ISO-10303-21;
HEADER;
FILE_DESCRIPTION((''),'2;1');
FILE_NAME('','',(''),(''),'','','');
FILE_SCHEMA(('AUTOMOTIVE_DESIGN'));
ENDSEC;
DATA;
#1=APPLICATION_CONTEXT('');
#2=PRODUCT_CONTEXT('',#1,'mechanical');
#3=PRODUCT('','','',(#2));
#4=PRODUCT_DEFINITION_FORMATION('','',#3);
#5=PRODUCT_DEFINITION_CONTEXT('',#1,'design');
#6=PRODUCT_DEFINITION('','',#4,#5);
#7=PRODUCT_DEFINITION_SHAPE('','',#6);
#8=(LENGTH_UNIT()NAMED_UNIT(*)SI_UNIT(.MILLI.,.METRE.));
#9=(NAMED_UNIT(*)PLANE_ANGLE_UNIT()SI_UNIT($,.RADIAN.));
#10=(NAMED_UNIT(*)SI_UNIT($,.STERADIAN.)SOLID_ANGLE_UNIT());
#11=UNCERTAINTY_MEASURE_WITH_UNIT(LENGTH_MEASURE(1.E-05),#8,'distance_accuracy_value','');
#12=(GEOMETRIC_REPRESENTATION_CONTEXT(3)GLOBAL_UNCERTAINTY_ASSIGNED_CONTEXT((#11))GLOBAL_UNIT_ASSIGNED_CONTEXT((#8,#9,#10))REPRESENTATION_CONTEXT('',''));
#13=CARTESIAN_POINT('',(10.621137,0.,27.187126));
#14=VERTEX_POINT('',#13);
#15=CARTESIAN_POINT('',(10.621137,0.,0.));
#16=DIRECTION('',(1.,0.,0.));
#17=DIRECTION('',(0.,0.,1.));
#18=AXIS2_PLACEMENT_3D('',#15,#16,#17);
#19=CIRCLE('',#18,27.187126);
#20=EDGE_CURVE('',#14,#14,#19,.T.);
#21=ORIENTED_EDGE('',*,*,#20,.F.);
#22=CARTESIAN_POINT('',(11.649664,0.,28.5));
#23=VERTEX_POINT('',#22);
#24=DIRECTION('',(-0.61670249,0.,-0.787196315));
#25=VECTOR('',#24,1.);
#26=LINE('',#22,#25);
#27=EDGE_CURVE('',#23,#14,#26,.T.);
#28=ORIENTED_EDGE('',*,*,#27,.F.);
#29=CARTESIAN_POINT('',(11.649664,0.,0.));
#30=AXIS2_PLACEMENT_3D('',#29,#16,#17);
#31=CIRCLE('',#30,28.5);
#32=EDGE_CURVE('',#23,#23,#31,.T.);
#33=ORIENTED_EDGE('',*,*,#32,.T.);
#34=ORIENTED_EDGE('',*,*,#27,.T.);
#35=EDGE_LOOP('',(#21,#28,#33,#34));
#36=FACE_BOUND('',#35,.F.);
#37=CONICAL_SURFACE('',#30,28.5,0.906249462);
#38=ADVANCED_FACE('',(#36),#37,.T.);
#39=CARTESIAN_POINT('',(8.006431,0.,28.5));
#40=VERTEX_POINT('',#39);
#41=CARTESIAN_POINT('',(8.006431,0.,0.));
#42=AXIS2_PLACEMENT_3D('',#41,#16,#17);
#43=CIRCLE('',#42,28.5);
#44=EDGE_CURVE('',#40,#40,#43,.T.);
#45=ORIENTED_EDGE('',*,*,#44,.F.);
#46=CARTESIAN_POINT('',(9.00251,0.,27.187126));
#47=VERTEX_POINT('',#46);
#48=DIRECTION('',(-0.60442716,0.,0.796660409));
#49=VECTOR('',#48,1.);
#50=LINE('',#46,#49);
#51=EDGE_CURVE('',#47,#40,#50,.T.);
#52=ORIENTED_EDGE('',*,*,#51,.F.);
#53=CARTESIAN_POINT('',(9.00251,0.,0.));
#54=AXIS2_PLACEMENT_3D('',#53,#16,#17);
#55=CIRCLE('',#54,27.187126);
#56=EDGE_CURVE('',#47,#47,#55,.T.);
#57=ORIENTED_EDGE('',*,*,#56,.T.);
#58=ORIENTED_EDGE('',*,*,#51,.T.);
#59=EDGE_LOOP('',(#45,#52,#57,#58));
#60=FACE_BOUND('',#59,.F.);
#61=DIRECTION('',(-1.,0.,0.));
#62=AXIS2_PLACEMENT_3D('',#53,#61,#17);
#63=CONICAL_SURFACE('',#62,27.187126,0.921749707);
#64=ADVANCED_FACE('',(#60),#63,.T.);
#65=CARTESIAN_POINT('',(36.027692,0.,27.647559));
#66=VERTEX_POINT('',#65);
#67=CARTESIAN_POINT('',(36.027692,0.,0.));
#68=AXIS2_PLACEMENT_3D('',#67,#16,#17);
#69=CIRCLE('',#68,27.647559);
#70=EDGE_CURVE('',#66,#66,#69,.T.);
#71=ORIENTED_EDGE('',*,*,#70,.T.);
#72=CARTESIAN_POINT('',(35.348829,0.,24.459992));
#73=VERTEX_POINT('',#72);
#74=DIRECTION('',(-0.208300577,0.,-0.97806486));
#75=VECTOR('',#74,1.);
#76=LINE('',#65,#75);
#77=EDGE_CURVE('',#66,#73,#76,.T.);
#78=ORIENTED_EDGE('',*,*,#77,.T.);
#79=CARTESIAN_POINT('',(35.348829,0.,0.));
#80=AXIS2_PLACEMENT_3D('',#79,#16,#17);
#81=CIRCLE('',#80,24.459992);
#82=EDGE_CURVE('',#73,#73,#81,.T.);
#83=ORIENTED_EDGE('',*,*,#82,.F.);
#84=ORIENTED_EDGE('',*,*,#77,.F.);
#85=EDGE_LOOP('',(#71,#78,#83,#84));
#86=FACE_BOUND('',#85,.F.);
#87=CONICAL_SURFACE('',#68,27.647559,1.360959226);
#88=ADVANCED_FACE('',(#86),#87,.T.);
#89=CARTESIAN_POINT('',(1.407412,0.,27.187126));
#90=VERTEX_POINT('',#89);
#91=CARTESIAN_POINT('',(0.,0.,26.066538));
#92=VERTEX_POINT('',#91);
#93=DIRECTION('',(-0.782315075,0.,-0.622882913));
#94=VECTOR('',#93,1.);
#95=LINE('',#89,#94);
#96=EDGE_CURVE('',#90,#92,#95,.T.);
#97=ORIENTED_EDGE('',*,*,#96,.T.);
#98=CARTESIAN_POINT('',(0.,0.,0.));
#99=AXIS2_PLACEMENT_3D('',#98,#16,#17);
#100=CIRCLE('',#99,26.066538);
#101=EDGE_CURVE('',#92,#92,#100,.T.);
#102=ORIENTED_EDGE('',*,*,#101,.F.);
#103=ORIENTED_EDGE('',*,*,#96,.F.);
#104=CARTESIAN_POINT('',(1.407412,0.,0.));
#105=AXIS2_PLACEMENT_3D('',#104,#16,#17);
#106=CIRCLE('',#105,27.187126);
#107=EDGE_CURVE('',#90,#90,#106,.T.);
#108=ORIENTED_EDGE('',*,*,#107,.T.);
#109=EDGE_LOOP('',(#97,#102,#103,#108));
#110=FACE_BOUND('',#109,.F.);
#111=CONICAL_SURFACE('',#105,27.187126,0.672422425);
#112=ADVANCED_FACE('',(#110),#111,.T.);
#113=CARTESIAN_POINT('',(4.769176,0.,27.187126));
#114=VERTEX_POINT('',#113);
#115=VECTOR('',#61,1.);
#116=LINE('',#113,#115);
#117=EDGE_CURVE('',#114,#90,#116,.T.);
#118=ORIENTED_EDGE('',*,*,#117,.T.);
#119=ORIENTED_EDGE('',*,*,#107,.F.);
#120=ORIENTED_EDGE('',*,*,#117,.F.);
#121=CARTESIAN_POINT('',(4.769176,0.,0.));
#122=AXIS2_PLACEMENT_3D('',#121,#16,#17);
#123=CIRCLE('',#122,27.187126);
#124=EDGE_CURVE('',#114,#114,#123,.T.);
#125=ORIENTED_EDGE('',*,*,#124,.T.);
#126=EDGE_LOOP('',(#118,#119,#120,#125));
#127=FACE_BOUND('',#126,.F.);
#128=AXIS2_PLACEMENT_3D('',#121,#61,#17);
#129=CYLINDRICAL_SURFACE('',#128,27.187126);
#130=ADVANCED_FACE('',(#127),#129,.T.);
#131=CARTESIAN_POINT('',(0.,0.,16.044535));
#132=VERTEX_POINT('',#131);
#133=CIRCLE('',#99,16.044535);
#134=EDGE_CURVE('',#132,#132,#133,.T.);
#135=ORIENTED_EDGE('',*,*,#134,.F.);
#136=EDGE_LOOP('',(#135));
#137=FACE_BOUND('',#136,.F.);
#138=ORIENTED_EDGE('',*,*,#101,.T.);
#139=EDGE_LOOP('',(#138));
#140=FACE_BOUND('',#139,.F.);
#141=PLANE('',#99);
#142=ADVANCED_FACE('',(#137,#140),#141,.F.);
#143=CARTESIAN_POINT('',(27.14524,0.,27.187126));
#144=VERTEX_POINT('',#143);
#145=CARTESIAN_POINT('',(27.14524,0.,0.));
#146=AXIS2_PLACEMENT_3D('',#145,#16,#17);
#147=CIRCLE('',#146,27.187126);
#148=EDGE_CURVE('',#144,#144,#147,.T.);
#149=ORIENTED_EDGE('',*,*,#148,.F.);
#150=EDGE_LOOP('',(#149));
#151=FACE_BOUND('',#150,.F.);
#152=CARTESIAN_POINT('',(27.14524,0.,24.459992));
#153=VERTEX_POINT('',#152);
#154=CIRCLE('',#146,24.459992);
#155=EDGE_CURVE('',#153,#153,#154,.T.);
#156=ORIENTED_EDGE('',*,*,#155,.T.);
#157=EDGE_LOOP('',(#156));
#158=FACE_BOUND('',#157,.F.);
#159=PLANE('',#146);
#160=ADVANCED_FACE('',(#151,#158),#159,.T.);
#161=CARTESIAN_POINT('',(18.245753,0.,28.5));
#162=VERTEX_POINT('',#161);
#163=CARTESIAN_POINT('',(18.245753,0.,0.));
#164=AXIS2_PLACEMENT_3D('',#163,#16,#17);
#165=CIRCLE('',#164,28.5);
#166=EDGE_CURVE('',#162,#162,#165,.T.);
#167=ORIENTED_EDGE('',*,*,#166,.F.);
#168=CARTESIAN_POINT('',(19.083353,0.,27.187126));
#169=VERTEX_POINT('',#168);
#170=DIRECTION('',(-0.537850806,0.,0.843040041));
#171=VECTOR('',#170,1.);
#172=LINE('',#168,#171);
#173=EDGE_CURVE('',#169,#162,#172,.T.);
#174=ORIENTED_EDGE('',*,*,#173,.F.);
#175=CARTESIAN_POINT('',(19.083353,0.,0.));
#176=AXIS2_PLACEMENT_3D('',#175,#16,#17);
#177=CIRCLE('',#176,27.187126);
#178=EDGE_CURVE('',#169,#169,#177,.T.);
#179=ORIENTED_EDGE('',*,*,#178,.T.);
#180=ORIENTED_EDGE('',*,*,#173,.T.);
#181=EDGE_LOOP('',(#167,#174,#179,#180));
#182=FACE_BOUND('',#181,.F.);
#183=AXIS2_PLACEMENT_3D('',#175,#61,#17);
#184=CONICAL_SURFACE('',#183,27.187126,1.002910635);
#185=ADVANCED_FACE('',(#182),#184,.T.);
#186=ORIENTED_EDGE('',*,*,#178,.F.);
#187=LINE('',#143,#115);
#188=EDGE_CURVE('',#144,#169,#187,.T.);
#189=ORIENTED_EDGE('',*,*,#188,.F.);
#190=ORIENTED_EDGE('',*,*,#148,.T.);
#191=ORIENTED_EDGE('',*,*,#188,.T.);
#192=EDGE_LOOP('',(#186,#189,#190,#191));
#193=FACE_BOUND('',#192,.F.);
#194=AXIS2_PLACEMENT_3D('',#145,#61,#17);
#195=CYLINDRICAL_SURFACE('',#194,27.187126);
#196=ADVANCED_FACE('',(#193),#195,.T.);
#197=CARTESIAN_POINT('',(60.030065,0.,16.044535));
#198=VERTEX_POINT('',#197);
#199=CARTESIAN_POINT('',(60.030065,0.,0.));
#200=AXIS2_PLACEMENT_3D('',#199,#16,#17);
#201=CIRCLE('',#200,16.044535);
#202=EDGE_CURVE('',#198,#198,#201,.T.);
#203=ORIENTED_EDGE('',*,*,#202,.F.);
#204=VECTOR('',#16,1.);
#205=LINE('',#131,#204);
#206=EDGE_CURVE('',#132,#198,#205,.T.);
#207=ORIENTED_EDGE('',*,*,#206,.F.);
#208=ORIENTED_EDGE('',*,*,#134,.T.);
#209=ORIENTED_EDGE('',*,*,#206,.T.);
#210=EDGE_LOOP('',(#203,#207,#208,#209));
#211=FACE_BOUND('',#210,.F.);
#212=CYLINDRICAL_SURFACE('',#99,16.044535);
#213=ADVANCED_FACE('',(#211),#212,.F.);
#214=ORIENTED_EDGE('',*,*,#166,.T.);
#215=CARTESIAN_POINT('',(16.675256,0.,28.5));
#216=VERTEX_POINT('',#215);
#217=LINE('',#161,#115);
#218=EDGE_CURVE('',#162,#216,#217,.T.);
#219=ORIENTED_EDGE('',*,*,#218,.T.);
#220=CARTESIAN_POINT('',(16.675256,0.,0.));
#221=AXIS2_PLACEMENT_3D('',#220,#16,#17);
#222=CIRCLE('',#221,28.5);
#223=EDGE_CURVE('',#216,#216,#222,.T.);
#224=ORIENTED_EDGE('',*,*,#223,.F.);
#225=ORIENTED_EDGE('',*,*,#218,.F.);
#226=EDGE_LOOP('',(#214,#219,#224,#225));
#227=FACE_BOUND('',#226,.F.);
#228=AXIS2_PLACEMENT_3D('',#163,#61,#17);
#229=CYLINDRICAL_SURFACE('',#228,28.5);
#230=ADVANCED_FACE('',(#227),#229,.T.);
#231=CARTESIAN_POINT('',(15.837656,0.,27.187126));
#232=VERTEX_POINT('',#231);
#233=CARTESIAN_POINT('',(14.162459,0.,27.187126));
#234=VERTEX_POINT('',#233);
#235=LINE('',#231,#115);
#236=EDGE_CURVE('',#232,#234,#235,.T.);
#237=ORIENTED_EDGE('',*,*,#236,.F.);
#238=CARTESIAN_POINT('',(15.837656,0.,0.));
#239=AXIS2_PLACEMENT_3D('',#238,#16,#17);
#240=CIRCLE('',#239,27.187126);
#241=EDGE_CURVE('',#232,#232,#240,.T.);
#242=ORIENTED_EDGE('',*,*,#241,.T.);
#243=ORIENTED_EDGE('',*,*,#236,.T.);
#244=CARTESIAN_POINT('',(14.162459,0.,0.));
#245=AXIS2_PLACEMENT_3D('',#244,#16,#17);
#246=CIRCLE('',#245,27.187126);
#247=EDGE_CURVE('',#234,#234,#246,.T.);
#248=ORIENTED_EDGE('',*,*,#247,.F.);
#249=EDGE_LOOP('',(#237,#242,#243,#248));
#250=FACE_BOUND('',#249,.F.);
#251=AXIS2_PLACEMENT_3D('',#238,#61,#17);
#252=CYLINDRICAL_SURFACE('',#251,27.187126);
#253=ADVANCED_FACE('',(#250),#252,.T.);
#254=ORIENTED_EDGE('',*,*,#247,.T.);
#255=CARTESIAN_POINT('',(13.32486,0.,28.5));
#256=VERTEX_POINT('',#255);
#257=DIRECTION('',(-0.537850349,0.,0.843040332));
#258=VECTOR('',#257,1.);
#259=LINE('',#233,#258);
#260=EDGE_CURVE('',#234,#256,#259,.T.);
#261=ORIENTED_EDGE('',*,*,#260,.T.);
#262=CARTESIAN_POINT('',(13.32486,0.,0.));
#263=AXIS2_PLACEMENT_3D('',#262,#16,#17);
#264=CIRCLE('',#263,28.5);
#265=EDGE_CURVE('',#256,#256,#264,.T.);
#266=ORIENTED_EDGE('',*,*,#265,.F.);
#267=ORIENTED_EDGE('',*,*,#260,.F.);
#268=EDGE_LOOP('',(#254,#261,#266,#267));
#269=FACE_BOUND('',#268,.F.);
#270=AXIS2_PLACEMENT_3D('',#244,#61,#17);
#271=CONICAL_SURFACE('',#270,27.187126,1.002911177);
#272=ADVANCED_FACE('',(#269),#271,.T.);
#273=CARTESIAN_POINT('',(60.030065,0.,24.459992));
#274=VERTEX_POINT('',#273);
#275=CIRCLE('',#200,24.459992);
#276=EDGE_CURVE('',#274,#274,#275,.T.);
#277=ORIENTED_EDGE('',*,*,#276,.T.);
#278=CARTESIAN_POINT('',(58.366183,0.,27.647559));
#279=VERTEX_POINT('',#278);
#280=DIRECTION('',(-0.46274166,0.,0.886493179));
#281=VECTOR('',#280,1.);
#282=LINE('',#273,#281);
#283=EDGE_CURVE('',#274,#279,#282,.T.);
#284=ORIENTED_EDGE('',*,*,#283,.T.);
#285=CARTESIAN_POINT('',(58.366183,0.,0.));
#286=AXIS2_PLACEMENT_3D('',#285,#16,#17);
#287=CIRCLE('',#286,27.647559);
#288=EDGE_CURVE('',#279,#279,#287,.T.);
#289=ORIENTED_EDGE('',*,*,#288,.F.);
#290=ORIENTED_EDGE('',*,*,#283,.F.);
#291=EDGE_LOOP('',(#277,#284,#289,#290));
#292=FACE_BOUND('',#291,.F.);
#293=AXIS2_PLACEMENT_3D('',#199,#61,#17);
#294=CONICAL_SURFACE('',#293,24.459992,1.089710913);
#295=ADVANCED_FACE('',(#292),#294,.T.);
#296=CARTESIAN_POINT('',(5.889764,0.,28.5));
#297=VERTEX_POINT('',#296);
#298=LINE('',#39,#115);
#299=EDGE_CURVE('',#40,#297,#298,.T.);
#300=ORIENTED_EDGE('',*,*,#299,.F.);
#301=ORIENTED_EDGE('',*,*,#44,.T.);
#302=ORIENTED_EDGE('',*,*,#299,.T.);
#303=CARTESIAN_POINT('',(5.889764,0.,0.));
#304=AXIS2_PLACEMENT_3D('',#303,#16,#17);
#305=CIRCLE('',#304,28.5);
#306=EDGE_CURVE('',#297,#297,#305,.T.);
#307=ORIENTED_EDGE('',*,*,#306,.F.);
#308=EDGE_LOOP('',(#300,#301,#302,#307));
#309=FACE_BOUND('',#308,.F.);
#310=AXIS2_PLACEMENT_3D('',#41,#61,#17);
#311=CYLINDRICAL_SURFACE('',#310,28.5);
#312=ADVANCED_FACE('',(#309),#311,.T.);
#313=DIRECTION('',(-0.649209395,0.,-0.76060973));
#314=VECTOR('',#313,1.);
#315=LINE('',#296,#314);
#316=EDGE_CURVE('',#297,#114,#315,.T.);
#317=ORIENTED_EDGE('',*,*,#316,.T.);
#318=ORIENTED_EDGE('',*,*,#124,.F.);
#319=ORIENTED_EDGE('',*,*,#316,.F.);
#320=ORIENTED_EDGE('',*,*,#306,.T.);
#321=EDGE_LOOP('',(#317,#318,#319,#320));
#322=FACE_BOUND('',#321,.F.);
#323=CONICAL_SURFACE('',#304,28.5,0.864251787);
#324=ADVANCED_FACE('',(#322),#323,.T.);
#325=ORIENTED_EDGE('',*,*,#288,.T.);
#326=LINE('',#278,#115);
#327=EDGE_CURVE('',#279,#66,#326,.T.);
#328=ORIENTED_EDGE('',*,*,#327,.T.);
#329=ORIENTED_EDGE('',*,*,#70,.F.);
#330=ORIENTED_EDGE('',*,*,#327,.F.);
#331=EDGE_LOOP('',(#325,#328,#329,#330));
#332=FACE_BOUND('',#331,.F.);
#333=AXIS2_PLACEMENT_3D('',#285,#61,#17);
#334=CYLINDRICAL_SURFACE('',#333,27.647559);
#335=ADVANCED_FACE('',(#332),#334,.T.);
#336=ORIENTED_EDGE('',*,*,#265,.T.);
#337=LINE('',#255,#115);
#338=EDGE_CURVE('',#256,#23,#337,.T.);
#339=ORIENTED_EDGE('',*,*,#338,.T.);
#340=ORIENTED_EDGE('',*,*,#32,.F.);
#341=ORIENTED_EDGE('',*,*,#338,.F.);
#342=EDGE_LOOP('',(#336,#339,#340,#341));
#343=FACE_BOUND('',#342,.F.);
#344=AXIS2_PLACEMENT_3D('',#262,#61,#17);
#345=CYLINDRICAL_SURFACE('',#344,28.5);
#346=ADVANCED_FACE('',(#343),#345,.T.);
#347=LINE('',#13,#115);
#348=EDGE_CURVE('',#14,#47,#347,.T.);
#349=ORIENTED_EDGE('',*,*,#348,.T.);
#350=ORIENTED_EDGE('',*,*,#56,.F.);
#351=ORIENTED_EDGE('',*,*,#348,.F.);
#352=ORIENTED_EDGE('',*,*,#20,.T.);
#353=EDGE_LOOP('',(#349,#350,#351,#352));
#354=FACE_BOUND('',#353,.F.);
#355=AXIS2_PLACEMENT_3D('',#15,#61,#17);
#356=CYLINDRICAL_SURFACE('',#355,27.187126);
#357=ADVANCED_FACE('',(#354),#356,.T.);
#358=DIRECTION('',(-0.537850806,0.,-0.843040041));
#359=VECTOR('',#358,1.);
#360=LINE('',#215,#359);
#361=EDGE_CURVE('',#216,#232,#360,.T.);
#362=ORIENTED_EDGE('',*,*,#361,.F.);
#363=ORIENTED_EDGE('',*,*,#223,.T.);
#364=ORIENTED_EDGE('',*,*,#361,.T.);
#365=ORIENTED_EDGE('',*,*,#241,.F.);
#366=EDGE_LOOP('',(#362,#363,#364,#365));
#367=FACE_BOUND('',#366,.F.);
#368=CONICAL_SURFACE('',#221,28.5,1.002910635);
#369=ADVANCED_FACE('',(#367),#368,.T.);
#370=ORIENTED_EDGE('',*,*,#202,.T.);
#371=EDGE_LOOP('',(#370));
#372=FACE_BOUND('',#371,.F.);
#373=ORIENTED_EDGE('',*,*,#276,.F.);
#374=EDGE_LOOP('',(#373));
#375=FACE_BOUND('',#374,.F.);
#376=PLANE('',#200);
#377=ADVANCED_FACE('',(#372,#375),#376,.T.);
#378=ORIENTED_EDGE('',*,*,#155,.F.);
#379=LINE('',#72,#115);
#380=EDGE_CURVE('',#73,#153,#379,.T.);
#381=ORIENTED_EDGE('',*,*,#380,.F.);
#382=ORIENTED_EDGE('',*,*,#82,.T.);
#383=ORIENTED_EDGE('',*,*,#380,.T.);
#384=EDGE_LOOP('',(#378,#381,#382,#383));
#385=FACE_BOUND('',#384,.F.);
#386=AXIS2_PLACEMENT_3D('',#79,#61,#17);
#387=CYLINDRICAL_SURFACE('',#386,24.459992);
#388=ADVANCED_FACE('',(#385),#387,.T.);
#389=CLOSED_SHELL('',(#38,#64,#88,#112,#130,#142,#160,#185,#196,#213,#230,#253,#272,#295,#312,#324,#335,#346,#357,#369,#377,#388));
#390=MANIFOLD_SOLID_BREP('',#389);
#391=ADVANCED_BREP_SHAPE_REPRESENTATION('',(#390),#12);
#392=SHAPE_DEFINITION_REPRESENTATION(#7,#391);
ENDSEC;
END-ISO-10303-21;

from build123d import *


with BuildPart() as f1:
    # F0 (on Front) → F1 (revolve)
    with BuildSketch(Plane.XZ):
        Polygon((0, 16.044535), (60.030065, 16.044535), (60.030065, 24.459992), (58.366183, 27.647559), (36.027692, 27.647559), (35.348829, 24.459992), (27.14524, 24.459992), (27.14524, 27.187126), (19.083353, 27.187126), (18.245753, 28.5), (16.675256, 28.5), (15.837656, 27.187126), (14.162459, 27.187126), (13.32486, 28.5), (11.649664, 28.5), (10.621137, 27.187126), (9.00251, 27.187126), (8.006431, 28.5), (5.889764, 28.5), (4.769176, 27.187126), (1.407412, 27.187126), (0, 26.066538), align=None)
    revolve(axis=Axis((30, 0, 0), (1, 0, 0)))


solid = f1.part
